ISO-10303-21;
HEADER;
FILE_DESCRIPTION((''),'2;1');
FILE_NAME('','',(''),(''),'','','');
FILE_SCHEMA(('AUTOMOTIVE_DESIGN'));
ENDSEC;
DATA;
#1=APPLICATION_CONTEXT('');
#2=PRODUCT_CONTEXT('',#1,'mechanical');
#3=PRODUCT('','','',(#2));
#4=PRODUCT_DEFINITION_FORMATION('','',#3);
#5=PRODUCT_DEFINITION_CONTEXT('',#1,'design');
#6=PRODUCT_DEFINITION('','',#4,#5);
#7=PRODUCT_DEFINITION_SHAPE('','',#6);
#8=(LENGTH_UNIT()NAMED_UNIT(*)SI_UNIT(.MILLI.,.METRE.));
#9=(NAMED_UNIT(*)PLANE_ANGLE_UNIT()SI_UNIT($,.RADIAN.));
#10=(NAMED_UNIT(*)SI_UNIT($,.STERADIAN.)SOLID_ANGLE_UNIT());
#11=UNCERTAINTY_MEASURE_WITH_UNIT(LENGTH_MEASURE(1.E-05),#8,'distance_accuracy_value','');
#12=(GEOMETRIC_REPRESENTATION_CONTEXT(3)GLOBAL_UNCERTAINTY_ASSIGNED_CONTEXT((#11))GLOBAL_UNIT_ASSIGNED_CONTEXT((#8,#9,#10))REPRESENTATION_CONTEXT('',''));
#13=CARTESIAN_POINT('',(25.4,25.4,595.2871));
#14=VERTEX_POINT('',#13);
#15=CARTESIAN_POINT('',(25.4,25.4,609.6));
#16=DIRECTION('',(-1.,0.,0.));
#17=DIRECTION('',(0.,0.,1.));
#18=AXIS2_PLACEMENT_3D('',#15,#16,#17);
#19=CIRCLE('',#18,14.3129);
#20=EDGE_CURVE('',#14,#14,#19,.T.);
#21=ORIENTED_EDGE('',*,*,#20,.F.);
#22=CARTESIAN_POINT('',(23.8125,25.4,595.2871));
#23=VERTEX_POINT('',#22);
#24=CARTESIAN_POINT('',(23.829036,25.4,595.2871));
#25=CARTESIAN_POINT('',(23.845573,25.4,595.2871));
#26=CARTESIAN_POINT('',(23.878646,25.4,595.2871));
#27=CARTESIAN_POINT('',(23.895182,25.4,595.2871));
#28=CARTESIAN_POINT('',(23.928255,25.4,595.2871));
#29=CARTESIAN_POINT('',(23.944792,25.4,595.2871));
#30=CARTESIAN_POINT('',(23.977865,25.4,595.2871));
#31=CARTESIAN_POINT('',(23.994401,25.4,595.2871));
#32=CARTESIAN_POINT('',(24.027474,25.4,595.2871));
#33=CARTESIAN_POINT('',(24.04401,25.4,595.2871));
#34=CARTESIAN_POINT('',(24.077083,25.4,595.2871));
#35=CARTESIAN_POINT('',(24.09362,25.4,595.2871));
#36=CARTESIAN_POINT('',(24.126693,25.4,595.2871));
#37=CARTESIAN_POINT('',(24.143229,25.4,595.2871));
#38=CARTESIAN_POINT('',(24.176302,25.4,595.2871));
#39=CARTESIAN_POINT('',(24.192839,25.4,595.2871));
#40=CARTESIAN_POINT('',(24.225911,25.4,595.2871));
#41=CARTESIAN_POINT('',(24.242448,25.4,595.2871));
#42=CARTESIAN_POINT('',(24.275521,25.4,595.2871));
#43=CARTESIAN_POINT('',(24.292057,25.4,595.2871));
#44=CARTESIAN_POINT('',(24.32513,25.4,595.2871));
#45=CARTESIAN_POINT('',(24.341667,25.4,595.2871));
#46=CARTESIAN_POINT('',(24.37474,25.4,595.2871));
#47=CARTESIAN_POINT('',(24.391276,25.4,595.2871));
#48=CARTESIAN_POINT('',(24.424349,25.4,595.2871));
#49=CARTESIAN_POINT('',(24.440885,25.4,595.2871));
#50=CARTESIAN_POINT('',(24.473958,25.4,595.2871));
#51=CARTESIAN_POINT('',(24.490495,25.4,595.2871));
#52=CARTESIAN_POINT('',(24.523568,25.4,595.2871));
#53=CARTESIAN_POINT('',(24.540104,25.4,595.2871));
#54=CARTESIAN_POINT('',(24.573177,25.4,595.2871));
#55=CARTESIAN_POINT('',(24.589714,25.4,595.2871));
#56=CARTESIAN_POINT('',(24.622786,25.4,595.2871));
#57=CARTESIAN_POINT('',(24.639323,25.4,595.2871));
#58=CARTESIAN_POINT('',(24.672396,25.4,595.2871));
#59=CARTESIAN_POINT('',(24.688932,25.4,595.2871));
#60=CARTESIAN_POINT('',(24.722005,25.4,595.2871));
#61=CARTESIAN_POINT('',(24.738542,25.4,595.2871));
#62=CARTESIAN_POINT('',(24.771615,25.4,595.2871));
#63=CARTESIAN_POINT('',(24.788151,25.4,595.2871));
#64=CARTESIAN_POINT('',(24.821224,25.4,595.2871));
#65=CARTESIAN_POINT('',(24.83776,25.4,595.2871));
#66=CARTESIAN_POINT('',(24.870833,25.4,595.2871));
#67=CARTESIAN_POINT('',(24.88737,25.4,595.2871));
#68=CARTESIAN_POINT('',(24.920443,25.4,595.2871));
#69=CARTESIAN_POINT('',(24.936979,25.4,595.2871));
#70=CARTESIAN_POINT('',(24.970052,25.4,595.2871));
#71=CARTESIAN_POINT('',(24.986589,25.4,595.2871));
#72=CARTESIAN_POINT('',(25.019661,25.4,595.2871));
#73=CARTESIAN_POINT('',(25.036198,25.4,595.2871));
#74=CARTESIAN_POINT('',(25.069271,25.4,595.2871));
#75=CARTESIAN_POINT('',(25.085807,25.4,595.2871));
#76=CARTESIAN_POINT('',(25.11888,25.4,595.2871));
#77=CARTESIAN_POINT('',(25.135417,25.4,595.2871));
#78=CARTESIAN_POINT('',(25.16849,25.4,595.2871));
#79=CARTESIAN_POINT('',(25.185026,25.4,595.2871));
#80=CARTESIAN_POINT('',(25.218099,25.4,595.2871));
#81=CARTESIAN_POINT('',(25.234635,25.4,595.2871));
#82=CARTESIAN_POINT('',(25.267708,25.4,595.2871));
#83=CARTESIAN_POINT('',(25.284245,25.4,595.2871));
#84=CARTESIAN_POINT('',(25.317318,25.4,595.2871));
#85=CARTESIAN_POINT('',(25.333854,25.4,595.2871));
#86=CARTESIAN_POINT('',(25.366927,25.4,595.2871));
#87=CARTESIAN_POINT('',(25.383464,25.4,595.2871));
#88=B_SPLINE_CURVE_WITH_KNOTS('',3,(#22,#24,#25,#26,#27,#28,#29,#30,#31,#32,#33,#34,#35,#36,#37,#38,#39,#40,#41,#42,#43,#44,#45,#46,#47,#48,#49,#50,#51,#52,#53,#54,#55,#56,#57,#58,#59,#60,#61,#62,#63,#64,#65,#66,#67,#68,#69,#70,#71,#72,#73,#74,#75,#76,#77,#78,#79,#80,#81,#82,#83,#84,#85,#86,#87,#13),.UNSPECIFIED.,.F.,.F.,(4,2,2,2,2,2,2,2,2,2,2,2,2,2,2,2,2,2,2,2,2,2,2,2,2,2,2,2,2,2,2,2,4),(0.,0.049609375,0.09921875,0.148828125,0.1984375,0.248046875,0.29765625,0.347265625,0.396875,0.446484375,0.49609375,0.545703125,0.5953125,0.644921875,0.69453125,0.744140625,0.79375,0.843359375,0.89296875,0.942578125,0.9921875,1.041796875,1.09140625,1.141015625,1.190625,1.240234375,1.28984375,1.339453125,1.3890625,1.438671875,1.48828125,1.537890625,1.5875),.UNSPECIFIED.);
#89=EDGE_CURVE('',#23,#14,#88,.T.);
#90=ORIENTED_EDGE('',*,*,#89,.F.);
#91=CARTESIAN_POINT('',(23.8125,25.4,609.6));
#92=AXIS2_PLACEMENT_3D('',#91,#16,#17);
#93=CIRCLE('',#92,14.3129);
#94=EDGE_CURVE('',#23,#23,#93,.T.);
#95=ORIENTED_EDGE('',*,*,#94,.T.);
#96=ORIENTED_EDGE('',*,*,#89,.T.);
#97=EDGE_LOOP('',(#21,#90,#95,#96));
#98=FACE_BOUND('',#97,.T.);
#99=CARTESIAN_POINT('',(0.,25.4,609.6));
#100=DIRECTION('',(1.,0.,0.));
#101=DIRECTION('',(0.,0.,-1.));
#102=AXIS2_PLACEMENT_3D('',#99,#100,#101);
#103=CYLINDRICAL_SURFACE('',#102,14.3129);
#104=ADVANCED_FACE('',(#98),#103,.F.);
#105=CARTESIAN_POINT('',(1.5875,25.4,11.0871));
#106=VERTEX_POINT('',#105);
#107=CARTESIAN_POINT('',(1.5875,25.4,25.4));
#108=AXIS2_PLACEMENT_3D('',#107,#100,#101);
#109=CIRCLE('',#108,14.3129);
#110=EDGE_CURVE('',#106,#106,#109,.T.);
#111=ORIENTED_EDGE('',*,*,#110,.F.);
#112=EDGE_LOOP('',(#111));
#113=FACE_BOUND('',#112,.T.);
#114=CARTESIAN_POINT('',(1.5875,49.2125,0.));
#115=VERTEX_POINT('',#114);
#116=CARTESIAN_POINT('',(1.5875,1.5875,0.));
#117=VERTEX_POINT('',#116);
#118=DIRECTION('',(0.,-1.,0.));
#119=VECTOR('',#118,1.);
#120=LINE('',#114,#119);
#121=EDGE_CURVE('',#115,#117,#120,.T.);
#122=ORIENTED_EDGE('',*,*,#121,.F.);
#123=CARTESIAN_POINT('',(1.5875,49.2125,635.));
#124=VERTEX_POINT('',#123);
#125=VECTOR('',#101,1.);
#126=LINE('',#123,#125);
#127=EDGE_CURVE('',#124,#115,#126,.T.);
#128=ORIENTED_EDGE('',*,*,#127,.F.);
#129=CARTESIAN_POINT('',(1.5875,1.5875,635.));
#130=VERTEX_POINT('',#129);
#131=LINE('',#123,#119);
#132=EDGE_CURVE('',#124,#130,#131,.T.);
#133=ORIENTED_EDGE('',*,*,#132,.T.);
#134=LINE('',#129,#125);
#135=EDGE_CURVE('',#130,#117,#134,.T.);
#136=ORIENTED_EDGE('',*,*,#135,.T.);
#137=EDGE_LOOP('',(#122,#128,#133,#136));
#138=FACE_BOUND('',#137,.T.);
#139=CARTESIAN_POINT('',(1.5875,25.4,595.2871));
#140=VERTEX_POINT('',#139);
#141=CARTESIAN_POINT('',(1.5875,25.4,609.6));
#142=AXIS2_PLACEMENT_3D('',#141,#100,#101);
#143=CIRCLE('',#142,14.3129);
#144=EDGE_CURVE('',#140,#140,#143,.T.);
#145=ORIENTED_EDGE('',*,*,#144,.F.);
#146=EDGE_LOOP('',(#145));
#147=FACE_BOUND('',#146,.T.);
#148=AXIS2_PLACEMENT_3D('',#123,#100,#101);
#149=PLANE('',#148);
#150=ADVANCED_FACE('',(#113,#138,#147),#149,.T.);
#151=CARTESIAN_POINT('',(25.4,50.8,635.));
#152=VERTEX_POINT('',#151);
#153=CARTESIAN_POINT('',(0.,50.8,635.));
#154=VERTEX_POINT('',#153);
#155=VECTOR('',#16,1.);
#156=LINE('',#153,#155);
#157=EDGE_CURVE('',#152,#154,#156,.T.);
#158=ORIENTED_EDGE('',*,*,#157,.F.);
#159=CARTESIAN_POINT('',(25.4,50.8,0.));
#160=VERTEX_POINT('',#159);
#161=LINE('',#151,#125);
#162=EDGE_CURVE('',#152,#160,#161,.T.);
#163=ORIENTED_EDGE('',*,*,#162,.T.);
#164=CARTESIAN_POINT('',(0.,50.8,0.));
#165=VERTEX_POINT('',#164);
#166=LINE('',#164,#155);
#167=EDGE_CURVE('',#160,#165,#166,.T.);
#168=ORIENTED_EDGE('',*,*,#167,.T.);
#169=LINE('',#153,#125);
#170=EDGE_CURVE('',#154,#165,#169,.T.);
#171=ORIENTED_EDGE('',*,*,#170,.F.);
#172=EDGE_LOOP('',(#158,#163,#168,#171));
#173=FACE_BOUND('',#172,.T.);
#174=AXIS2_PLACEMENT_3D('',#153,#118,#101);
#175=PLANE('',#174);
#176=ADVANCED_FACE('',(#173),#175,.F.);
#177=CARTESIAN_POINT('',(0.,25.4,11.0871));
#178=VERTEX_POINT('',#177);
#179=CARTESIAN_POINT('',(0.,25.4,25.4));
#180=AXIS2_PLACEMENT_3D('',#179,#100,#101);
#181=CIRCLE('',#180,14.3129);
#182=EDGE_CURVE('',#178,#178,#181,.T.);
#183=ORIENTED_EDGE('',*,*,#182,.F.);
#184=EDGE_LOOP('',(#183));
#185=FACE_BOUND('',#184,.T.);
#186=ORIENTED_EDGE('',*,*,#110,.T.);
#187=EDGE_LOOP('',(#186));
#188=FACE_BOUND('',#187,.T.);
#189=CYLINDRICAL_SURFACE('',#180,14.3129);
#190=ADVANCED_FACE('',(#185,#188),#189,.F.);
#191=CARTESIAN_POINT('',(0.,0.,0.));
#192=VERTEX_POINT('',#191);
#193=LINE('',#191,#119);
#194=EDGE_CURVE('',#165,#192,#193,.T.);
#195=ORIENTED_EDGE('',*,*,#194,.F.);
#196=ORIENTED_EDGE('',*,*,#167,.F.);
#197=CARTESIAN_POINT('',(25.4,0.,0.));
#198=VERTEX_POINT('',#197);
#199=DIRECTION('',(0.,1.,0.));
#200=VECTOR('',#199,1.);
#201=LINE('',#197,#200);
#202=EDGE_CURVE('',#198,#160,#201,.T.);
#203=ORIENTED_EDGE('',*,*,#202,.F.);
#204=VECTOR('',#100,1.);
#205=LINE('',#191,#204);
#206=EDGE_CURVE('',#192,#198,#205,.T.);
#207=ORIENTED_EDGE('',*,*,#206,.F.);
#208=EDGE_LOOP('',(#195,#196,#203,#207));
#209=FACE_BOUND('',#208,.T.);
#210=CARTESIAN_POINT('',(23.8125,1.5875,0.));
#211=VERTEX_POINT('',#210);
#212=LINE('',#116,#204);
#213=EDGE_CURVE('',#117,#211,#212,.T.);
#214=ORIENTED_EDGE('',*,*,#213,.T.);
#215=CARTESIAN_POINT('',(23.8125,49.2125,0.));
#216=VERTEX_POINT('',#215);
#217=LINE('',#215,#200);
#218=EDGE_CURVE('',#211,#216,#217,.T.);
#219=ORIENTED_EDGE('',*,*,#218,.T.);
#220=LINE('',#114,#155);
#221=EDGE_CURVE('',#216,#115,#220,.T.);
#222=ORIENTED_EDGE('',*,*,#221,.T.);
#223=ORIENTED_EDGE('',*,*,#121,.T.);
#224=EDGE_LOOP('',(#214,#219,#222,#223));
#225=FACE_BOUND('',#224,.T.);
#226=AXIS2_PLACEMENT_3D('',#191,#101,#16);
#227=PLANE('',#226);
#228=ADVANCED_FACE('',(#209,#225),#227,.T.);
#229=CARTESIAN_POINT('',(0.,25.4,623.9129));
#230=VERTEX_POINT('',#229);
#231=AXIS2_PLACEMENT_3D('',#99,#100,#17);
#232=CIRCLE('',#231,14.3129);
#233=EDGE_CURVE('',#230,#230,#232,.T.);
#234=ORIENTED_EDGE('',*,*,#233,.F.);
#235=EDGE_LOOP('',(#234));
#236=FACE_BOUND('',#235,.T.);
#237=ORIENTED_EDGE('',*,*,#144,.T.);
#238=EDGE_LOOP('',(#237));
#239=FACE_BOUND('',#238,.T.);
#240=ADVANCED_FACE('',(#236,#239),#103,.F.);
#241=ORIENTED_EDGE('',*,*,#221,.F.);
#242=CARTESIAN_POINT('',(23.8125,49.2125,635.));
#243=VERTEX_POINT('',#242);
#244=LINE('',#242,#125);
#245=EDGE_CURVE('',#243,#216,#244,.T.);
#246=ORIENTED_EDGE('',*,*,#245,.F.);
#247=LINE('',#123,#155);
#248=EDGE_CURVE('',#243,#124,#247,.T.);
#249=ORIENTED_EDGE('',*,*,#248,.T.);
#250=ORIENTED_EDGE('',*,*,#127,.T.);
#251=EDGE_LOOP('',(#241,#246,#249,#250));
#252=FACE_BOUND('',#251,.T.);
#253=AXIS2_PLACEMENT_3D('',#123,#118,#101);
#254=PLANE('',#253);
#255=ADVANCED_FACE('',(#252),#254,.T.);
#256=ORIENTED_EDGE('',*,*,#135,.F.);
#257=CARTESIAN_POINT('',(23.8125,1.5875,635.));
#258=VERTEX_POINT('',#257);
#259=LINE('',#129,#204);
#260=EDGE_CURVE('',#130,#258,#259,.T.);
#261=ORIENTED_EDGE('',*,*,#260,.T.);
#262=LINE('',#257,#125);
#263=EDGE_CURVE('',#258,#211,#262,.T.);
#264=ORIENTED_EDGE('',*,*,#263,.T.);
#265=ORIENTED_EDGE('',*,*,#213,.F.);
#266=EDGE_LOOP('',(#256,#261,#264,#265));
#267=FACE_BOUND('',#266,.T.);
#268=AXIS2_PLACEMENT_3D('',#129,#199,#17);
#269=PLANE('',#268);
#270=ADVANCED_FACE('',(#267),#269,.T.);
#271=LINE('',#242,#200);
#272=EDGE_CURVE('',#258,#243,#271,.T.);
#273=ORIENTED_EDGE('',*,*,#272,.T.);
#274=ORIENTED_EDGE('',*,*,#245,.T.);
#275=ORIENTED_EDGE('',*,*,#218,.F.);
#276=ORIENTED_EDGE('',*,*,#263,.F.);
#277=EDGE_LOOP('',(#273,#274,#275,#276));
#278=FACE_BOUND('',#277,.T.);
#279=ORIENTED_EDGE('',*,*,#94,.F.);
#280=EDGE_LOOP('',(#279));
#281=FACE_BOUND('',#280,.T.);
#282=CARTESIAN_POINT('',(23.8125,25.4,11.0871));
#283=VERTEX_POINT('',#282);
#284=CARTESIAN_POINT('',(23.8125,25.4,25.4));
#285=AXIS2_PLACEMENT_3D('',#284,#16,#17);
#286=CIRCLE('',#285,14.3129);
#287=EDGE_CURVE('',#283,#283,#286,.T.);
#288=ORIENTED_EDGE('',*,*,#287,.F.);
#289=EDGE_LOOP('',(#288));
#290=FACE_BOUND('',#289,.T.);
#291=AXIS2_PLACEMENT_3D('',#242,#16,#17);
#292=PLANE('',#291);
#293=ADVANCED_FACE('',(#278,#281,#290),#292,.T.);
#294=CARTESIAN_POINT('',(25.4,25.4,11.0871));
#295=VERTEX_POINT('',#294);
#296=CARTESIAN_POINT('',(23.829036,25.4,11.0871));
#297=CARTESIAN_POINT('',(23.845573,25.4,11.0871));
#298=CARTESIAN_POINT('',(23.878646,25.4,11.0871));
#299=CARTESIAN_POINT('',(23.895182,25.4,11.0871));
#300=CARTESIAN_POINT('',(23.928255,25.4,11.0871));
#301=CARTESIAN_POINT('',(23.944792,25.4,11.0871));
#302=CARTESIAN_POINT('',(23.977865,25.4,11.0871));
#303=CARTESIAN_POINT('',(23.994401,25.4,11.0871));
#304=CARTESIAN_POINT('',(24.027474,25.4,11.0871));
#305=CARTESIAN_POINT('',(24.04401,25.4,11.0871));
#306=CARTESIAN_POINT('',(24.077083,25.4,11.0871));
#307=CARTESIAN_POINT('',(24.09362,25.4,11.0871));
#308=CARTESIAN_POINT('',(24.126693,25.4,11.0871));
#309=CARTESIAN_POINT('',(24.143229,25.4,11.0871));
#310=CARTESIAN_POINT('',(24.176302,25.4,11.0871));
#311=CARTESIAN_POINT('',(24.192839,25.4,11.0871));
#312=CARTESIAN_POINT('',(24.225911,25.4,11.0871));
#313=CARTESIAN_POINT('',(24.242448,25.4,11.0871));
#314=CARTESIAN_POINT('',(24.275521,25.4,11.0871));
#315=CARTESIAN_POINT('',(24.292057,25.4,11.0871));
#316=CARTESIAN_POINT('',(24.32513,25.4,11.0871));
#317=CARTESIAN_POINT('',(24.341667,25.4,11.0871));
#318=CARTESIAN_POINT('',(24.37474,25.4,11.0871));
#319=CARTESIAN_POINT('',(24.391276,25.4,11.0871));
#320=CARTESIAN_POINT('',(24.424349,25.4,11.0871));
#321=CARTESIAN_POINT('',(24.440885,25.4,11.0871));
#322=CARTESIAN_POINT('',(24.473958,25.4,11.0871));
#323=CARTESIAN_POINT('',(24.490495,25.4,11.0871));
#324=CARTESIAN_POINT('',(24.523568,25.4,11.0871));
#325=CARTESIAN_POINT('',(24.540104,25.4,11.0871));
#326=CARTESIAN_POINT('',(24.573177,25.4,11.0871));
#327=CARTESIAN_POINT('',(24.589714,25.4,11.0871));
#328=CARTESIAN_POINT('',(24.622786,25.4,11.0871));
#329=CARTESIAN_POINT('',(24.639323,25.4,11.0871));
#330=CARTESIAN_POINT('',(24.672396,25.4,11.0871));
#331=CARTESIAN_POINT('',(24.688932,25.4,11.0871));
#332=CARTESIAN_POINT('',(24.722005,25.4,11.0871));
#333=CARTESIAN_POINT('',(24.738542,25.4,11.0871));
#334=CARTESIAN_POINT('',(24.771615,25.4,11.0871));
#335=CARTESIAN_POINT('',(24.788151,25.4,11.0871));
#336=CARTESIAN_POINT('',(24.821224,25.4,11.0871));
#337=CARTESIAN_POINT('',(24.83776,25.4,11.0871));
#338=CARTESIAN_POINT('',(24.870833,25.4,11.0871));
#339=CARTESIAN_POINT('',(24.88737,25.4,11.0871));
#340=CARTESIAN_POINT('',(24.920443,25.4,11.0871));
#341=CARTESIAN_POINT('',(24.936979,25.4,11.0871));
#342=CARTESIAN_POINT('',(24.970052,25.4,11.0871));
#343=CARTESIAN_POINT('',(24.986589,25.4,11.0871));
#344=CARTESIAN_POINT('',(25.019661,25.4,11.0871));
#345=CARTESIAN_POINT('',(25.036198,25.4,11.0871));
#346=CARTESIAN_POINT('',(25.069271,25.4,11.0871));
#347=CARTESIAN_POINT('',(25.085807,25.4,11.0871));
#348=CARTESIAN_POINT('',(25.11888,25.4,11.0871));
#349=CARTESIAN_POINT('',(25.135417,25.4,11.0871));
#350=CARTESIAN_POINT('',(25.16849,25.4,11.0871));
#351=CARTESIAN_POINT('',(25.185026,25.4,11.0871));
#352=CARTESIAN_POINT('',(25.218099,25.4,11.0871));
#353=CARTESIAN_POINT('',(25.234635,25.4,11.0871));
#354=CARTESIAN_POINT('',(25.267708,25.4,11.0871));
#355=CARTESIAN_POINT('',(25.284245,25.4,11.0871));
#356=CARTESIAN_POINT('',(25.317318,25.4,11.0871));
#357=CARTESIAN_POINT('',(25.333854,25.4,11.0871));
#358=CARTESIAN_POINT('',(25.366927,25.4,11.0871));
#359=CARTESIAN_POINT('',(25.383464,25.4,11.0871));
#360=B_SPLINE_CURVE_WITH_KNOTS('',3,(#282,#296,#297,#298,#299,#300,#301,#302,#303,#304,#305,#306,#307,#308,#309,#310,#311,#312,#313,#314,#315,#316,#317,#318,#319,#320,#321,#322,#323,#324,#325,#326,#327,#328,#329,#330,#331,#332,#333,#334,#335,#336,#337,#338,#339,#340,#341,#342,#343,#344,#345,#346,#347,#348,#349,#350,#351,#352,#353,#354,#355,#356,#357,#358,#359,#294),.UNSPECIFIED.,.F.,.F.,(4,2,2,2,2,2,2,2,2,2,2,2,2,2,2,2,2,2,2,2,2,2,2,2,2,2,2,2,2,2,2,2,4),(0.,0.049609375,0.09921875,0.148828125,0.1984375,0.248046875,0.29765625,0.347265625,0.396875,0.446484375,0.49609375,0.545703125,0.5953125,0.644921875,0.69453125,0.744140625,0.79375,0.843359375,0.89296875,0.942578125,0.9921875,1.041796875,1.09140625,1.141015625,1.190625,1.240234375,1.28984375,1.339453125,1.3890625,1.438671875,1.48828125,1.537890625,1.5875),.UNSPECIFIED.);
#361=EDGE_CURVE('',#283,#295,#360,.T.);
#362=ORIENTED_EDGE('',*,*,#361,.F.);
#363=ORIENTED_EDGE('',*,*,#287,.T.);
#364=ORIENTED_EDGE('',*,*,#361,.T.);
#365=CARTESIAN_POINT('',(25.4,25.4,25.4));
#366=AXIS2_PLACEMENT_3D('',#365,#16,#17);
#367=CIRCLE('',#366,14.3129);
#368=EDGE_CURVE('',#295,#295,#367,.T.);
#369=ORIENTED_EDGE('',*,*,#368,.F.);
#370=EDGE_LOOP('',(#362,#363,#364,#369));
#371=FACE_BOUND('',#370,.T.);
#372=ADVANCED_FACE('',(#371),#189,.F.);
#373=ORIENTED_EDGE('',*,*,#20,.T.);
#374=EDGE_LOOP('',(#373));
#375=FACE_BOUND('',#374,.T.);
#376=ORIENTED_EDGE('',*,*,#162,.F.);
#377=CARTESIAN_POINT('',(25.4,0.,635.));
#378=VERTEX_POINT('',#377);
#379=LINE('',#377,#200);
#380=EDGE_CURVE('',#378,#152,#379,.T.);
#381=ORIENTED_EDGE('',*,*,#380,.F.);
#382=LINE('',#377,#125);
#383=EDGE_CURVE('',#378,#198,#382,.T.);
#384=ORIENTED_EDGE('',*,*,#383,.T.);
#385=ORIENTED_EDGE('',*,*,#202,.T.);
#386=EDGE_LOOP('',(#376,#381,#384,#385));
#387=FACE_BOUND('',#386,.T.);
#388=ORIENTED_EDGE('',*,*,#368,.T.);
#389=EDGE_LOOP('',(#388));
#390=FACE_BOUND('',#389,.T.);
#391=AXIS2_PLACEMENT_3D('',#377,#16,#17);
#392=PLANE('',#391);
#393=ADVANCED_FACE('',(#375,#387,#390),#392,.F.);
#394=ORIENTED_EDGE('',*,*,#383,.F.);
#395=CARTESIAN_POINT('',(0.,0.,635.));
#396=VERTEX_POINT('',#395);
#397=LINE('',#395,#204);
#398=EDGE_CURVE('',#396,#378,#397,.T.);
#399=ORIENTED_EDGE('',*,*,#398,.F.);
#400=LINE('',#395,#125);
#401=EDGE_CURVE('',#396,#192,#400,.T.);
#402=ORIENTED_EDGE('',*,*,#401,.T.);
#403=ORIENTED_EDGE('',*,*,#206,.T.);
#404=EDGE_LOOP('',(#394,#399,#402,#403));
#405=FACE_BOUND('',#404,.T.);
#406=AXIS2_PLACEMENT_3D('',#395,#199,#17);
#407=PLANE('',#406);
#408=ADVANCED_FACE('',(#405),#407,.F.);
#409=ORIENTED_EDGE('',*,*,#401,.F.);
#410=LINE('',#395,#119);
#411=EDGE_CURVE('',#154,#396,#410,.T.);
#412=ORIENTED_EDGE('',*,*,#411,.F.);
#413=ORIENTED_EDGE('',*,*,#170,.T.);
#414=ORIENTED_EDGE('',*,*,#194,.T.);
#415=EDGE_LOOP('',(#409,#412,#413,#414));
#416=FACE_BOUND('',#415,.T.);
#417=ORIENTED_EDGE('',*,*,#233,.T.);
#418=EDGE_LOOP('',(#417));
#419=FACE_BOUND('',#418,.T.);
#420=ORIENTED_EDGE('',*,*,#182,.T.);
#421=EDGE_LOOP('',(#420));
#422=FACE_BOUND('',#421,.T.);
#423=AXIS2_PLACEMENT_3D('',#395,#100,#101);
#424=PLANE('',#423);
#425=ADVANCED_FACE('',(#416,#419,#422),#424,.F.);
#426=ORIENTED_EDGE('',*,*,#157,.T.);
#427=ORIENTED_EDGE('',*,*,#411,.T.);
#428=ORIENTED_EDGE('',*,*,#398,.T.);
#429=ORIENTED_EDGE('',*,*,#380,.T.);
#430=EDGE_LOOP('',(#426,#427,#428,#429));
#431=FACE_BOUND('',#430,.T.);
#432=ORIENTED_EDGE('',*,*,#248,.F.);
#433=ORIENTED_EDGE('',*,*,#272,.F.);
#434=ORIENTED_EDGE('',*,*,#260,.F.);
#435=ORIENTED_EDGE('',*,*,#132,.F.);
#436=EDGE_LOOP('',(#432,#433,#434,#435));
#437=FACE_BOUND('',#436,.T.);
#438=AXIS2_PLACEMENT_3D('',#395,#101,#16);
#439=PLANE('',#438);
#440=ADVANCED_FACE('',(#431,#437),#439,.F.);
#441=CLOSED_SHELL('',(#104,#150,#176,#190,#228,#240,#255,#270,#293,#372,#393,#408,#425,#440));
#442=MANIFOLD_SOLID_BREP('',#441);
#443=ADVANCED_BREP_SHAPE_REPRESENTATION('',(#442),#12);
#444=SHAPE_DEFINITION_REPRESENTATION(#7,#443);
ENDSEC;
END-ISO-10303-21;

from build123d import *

# Parameters (mm, degrees)
SKETCH1_W               = 25.4
SKETCH1_H               = 50.8
SKETCH1_W_2             = 22.225
SKETCH1_H_2             = 47.625
BOSS_EXTRUDE1_DEPTH     = 635
CUT_EXTRUDE1_DEPTH      = 638.534940219
CUT_EXTRUDE1_DEPTH_BACK = 638.534940219
SKETCH2_R               = 14.3129


with BuildPart() as part:
    # Sketch1 → Boss-Extrude1 (new body)
    with BuildSketch(Plane.XY):
        with Locations((12.7, 25.4)):
            Rectangle(SKETCH1_W, SKETCH1_H)
        with Locations((12.7, 25.4)):
            Rectangle(SKETCH1_W_2, SKETCH1_H_2, mode=Mode.SUBTRACT)
    extrude(amount=BOSS_EXTRUDE1_DEPTH)

    # Sketch2 → Cut-Extrude1 (cut, two sides: drawn at the far end of the back side and taken through both)
    with BuildSketch(Plane(origin=(25.4, 0, 0), x_dir=(0, 0, -1), z_dir=(1, 0, 0)).offset(-CUT_EXTRUDE1_DEPTH_BACK)):
        with Locations((-25.4, 25.4)):
            Circle(SKETCH2_R)
        with Locations((-609.6, 25.4)):
            Circle(SKETCH2_R)
    extrude(amount=CUT_EXTRUDE1_DEPTH + CUT_EXTRUDE1_DEPTH_BACK, mode=Mode.SUBTRACT)


solid = part.part
